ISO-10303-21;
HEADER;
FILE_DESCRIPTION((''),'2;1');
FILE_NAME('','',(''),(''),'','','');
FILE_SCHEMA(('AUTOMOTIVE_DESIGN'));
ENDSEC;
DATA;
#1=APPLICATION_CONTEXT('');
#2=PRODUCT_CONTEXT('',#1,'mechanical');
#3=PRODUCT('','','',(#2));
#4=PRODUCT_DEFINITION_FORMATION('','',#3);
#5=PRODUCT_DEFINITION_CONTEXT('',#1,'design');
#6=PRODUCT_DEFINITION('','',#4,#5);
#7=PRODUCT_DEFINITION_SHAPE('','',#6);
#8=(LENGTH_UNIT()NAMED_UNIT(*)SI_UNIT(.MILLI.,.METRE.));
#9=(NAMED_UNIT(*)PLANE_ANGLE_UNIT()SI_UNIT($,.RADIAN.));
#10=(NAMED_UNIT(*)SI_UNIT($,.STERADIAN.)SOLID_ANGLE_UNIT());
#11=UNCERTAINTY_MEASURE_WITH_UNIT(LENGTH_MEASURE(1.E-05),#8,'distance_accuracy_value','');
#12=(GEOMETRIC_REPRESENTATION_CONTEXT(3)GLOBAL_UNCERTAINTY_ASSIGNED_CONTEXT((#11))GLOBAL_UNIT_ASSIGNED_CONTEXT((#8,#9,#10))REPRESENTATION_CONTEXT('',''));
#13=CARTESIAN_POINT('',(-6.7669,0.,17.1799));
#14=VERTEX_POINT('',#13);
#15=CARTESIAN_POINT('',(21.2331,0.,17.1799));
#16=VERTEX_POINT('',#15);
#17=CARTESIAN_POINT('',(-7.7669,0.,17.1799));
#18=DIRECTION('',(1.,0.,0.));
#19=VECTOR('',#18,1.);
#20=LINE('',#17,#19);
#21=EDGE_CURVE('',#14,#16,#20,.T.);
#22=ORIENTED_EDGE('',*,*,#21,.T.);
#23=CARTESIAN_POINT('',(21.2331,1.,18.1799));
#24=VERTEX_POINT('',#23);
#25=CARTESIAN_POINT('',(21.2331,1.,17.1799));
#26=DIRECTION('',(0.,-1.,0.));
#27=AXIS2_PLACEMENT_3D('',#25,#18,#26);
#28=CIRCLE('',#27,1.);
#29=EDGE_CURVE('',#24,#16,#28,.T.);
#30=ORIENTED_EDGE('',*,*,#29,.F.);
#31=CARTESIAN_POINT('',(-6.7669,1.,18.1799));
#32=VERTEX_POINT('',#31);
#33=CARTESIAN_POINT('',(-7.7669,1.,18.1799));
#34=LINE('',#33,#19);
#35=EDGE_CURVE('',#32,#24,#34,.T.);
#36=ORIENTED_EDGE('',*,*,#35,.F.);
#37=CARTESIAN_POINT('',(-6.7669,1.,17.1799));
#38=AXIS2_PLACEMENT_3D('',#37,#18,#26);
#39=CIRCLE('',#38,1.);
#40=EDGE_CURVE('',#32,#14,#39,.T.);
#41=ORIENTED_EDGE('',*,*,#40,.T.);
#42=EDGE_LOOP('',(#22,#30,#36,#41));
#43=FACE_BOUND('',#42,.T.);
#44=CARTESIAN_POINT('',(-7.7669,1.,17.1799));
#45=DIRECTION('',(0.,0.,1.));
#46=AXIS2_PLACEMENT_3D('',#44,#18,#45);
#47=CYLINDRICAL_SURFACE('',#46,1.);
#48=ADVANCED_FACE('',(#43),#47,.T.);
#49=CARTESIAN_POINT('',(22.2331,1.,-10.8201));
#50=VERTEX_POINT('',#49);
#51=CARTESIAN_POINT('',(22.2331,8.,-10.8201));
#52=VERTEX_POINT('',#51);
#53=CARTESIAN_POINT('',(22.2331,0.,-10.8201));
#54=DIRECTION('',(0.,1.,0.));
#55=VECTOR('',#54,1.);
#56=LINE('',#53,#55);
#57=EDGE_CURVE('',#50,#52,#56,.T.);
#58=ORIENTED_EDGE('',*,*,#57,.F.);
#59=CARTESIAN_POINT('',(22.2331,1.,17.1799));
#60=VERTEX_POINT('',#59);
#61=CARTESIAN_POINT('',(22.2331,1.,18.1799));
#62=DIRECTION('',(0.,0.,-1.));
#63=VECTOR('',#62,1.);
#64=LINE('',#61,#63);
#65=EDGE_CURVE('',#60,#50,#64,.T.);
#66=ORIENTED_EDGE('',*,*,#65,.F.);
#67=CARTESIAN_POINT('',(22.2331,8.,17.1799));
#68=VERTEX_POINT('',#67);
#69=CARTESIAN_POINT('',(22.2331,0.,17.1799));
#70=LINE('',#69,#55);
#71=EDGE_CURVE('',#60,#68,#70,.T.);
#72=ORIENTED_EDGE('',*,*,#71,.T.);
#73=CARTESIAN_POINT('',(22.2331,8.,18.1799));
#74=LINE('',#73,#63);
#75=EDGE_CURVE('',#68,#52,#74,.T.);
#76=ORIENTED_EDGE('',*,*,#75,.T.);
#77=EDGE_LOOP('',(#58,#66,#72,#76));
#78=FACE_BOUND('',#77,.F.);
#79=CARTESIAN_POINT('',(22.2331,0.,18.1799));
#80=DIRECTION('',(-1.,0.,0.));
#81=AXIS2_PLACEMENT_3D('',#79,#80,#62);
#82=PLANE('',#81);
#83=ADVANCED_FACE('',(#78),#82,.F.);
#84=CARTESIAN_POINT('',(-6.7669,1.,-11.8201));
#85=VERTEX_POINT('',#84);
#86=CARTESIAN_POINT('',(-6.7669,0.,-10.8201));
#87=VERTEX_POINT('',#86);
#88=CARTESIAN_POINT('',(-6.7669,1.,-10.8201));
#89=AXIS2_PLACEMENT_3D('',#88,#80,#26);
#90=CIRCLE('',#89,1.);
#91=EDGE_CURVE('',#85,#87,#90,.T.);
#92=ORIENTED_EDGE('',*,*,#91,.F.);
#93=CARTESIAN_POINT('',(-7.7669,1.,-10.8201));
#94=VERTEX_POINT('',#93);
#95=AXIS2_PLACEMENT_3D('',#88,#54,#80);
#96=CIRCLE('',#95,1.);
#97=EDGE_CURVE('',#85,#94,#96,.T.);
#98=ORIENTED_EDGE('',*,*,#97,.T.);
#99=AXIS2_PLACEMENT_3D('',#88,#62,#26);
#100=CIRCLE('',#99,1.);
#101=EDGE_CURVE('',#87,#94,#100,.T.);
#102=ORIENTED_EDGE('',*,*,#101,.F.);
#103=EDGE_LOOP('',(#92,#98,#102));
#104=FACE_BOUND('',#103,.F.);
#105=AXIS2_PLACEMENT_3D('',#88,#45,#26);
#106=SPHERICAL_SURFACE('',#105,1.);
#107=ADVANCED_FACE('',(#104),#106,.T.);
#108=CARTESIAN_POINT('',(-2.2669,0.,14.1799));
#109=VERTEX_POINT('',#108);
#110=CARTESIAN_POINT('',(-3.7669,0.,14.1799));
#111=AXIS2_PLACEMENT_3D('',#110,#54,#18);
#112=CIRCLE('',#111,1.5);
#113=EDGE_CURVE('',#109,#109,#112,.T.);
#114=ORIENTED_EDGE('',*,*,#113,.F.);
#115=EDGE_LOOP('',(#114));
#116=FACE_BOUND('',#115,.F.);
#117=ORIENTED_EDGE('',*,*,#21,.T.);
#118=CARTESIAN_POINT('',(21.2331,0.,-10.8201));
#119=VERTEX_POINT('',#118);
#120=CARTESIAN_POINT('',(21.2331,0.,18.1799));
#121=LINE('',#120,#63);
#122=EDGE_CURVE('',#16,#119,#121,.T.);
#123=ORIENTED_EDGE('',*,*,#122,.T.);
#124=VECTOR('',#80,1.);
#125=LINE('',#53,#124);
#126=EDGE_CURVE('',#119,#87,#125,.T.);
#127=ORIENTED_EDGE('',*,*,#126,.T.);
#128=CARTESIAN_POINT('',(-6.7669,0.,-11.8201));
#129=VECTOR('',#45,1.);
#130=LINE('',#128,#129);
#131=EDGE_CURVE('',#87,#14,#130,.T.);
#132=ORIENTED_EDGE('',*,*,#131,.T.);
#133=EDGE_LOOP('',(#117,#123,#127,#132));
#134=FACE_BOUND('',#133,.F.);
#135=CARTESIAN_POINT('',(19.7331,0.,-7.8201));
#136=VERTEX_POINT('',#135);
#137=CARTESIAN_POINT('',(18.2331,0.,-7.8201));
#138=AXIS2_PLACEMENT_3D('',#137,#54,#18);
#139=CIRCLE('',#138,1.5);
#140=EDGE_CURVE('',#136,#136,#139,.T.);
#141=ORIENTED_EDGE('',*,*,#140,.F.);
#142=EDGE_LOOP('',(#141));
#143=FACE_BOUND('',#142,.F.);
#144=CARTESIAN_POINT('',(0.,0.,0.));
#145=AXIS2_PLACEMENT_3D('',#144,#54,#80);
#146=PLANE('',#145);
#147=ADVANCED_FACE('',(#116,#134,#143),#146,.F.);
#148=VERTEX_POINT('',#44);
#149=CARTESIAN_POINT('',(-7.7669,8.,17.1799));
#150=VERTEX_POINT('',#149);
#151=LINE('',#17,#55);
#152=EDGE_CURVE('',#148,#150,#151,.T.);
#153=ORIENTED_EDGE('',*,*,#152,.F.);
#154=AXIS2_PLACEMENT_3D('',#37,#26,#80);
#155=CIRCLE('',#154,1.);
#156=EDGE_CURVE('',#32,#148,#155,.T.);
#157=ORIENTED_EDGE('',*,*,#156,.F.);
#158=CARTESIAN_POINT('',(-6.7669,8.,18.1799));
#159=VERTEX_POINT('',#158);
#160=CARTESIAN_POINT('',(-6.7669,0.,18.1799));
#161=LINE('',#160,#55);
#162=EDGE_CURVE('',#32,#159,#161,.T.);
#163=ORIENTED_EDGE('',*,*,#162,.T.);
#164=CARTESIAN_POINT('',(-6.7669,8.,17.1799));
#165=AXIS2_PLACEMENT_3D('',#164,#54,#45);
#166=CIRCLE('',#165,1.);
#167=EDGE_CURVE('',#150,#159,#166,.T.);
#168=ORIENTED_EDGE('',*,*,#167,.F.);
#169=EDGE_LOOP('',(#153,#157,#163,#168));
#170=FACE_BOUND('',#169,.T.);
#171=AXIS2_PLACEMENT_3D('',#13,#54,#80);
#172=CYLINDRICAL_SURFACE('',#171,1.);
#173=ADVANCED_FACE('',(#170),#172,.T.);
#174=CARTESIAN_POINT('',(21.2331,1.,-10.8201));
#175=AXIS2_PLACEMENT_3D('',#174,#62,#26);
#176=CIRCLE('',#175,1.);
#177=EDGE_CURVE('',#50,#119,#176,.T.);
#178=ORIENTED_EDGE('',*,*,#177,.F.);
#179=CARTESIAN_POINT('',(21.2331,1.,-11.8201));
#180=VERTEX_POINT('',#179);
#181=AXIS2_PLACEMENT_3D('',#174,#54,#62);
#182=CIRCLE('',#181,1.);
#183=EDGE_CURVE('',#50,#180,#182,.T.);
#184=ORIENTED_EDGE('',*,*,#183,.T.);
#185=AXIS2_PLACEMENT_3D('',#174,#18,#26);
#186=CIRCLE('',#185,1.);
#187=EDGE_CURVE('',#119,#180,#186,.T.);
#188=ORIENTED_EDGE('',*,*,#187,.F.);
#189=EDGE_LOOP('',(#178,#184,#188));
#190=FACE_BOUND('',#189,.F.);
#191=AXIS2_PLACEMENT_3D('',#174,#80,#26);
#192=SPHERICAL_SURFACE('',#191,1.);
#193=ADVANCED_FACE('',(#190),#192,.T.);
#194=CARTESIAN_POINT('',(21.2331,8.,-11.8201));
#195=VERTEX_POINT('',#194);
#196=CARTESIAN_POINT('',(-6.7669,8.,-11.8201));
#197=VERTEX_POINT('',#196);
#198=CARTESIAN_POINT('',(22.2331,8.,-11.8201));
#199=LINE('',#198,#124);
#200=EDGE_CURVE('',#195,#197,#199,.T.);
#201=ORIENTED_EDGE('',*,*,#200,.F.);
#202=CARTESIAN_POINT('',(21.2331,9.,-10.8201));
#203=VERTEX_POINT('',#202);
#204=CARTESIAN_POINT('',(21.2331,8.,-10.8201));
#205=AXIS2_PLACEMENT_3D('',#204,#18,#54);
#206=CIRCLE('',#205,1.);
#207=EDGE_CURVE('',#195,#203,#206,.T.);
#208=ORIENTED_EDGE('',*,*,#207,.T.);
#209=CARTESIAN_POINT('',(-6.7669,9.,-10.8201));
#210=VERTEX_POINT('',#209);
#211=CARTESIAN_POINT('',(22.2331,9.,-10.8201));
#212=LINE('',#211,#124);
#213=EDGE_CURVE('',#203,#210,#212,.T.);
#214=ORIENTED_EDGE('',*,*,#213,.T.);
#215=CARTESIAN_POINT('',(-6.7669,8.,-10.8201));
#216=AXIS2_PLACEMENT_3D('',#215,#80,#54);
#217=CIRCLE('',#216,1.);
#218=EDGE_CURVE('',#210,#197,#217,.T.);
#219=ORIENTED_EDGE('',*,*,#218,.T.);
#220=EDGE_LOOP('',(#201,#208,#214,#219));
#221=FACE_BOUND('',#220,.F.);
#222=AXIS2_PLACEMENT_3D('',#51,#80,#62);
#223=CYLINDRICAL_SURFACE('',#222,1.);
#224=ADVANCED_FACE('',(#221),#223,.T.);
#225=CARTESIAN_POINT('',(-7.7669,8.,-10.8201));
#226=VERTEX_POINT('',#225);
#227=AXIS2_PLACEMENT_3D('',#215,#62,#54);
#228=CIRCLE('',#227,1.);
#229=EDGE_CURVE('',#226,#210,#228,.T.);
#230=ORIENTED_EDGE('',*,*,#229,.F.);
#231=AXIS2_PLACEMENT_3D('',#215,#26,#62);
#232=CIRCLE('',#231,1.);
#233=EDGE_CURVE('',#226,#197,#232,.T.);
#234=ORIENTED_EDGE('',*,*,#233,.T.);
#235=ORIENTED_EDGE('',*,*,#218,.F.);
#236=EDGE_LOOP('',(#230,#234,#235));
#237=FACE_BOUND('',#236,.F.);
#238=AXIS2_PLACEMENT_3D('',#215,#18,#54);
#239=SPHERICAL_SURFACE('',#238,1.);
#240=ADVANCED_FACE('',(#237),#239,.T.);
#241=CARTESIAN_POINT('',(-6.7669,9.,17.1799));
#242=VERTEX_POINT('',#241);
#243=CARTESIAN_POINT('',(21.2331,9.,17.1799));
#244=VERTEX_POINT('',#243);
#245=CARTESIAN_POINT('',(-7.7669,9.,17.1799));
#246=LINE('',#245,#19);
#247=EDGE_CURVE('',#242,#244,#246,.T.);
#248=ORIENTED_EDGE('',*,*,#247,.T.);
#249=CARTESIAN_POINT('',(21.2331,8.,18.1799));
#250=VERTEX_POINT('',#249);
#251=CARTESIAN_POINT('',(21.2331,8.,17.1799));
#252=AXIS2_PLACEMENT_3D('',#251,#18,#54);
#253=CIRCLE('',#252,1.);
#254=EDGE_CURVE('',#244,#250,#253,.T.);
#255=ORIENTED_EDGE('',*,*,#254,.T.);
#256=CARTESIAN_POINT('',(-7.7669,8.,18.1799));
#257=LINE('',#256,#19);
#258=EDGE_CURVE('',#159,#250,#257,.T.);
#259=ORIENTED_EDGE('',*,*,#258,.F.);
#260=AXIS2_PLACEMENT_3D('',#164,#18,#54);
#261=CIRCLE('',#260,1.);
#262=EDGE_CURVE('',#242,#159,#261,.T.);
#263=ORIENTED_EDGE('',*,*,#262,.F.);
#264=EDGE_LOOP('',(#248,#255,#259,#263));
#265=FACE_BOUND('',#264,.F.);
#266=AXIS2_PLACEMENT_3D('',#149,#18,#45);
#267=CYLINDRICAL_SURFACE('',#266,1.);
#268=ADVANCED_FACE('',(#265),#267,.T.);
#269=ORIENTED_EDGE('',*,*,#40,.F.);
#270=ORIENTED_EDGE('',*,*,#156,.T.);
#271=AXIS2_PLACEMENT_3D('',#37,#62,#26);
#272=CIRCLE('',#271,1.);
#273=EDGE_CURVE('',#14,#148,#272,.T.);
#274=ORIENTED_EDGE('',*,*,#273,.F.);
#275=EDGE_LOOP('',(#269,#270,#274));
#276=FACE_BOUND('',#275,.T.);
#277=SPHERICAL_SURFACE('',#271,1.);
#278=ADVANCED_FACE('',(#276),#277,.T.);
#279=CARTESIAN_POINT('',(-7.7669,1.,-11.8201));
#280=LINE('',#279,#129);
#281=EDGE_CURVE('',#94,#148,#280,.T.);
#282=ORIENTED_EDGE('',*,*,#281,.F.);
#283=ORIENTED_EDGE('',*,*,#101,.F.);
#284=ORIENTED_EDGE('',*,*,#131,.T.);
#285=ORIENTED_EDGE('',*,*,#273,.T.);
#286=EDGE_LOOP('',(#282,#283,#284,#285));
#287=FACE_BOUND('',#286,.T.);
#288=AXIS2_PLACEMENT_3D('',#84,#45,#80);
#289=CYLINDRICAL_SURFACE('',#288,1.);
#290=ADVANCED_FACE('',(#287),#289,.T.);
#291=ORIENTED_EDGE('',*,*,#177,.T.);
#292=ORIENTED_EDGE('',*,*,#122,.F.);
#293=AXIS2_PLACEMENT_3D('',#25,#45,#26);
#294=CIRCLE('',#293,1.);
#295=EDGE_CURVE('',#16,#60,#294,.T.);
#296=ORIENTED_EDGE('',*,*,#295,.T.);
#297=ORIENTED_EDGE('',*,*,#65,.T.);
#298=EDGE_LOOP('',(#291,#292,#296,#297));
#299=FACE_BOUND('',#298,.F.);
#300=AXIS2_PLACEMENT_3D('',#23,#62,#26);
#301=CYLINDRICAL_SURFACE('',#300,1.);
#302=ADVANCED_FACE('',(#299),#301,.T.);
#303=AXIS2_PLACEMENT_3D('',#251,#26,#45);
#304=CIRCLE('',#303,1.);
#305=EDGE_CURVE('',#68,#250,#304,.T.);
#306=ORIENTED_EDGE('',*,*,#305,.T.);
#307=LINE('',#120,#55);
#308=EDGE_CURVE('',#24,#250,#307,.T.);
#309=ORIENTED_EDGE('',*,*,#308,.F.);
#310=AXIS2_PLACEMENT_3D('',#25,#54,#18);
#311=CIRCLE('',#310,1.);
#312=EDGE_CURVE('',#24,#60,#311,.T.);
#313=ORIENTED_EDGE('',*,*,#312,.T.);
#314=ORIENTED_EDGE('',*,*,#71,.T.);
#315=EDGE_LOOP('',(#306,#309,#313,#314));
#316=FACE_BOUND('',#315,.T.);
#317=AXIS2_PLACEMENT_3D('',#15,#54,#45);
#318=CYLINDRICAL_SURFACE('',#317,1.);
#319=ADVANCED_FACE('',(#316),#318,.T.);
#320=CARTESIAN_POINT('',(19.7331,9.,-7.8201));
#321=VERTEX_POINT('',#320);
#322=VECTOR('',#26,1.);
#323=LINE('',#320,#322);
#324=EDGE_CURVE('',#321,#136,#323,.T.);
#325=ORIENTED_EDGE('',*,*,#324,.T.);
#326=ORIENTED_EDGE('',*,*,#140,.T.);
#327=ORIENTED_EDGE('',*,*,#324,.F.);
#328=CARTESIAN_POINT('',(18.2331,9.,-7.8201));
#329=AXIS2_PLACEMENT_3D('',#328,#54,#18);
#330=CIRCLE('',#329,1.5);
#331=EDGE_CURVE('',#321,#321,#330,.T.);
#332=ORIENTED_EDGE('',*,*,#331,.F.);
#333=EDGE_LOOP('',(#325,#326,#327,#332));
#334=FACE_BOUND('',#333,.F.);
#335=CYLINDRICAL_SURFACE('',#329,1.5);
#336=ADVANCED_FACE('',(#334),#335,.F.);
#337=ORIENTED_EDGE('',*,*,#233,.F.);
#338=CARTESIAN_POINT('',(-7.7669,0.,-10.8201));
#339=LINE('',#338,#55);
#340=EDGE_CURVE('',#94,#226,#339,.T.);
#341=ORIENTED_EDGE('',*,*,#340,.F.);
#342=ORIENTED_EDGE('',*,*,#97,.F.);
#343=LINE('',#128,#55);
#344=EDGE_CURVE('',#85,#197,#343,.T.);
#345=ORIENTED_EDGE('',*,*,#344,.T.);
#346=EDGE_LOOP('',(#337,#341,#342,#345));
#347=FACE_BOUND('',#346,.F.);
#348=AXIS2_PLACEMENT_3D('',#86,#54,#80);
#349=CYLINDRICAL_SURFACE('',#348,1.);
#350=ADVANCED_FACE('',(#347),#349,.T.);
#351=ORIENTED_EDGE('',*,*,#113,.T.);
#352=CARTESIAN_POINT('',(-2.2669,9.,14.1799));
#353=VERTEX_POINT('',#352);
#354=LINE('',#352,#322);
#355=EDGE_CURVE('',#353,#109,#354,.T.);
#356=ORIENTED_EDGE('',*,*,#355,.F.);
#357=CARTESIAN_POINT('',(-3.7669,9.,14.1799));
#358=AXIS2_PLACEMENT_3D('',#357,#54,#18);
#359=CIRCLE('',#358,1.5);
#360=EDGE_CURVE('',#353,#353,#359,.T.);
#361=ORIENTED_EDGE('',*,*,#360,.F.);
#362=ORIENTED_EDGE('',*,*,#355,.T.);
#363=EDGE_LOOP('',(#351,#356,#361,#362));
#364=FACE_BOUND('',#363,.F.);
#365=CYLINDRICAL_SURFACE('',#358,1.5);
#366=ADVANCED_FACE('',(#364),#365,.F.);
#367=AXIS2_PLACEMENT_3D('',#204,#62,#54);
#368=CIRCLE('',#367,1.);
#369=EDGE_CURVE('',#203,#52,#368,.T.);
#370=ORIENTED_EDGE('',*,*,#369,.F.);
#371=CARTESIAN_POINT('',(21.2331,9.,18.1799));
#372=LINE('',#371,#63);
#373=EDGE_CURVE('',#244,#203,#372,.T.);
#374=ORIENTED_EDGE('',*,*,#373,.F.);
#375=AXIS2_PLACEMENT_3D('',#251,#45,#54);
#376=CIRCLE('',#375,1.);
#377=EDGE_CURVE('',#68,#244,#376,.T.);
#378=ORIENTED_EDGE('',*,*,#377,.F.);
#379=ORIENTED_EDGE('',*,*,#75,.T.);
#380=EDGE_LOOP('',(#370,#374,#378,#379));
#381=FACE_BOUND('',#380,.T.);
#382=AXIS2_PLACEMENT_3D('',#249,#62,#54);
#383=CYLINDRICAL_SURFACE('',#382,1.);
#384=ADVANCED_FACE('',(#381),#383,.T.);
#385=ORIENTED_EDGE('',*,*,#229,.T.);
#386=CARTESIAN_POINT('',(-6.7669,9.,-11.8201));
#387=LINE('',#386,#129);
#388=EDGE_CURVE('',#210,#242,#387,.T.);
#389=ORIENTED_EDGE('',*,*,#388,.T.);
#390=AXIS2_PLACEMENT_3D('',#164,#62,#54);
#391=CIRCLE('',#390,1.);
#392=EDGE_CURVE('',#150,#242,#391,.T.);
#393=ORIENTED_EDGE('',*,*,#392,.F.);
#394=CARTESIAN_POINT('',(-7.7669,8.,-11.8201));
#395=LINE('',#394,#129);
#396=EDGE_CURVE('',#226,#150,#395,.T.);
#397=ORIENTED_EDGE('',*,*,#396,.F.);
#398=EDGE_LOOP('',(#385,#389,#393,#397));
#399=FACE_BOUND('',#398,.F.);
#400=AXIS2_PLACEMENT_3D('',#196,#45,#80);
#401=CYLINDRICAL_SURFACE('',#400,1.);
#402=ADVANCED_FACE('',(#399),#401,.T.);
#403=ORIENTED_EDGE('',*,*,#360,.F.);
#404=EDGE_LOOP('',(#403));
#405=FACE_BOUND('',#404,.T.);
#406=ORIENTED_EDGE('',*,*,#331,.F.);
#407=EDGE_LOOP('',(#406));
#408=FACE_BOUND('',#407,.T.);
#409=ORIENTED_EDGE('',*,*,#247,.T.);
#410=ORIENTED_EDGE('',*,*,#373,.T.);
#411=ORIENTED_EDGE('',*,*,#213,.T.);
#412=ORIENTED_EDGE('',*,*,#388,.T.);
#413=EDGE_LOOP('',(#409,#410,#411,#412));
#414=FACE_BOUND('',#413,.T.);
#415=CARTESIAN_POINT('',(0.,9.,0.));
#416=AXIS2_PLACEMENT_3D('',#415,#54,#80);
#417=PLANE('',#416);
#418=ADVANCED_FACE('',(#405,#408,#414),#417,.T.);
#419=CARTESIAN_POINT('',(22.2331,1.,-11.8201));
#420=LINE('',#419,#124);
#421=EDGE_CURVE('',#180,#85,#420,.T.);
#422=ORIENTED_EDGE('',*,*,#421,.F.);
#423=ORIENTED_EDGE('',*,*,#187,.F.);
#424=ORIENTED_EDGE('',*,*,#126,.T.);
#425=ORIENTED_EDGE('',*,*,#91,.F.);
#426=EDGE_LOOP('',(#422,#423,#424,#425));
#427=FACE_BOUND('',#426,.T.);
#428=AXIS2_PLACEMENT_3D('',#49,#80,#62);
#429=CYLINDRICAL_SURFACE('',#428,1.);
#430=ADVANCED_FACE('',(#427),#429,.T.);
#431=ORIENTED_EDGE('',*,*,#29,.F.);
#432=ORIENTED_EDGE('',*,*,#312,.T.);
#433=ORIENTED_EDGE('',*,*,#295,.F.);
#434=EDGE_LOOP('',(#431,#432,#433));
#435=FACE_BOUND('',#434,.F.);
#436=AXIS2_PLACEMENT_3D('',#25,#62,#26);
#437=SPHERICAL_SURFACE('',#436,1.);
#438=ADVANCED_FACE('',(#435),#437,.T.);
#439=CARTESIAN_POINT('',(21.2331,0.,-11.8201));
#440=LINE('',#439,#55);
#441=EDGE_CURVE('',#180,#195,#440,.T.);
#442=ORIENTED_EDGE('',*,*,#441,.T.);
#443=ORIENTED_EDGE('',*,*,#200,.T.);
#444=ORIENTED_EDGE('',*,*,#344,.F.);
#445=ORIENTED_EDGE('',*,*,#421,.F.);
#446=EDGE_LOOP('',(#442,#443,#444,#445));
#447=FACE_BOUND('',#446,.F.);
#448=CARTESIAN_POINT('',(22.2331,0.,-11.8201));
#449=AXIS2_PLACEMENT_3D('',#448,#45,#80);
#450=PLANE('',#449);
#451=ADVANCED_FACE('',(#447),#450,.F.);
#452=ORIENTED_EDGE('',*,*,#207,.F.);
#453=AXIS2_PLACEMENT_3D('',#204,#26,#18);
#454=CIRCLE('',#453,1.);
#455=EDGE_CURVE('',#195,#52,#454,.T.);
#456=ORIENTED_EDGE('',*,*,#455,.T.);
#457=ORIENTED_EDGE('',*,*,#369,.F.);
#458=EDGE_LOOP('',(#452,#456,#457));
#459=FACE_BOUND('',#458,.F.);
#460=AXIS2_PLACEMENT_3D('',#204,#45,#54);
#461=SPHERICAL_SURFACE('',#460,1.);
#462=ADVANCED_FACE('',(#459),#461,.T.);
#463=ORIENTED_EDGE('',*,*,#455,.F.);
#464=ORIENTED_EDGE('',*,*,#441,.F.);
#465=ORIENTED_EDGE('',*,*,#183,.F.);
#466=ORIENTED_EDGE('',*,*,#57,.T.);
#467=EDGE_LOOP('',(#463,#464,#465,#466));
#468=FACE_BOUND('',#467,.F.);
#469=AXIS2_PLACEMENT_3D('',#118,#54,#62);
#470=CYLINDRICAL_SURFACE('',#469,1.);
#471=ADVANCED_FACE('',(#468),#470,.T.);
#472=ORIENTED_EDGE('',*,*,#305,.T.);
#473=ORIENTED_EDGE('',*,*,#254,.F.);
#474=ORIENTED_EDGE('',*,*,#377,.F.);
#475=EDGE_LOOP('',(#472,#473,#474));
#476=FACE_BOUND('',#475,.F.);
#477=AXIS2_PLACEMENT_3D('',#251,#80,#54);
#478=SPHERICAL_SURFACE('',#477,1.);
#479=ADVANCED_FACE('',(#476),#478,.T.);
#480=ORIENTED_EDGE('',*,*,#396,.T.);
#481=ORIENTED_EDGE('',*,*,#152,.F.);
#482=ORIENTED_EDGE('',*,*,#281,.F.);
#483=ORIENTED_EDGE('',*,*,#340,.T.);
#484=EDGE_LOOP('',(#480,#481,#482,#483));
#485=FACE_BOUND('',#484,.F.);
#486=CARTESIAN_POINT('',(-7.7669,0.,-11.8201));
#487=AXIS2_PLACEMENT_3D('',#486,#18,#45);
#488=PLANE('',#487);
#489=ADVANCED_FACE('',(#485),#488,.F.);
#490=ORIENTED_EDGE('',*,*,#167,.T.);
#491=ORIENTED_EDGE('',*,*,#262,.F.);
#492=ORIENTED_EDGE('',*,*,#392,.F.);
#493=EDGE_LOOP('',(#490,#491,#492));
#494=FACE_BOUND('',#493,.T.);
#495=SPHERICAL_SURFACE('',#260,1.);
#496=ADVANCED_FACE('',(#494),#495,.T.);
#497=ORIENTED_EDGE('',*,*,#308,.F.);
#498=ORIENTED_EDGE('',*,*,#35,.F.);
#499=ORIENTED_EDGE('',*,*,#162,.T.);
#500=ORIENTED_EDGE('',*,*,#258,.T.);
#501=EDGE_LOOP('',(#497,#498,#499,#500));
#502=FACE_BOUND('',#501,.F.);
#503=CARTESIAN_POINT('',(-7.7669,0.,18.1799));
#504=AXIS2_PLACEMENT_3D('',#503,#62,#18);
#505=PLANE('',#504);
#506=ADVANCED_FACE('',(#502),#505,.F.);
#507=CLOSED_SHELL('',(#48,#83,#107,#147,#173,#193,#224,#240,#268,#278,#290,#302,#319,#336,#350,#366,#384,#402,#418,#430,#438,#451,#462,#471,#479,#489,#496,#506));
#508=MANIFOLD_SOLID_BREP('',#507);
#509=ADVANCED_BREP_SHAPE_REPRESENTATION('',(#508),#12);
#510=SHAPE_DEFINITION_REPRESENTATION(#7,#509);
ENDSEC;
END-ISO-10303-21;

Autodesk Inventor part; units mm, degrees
ref_plane "YZ Plane" through (0, 0, 0) normal (1, 0, 0) x (0, 1, 0)
ref_plane "XZ Plane" through (0, 0, 0) normal (0, 1, 0) x (-1, 0, 0)
ref_plane "XY Plane" through (0, 0, 0) normal (0, 0, 1) x (1, 0, 0)
sketch "Esquisse1" plane through (0, 0, 0) normal (0, 1, 0) x (-1, 0, 0)
  line L0 (7.7669, 18.1799) -> (-22.2331, 18.1799)
  line L1 (-22.2331, 18.1799) -> (-22.2331, -11.8201)
  line L2 (-22.2331, -11.8201) -> (7.7669, -11.8201)
  line L3 (7.7669, -11.8201) -> (7.7669, 18.1799)
  point P0 (0, 0)
  dimension "d0" = 30
  dimension "d1" = 30
extrude "Extrusion1" add sketch "Esquisse1" along normal blind 9
sketch "Esquisse2" plane through (0, 9, 0) normal (0, 1, 0) x (1, 0, 0)
  circle A0 centre (-3.7669, -14.1799) radius 1.5
  circle A1 centre (18.2331, 7.8201) radius 1.5
  line L0 (-7.7669, 11.8201) -> (-7.7669, -18.1799) projected
  line L1 (-7.7669, -18.1799) -> (22.2331, -18.1799) projected
  line L2 (22.2331, 11.8201) -> (-7.7669, 11.8201) projected
  line L3 (22.2331, -18.1799) -> (22.2331, 11.8201) projected
  point P0 (0, 0)
  dimension "d4" = 3
  dimension "d5" = 3
  dimension "d6" = 4
  dimension "d8" = 4
  dimension "d9" = 4
  dimension "d13" = 4
extrude "Extrusion2" cut sketch "Esquisse2" against normal blind 10 contours A0 | A1
fillet "Congé1" radius 1 12 edges at (7.2331, 9, 18.1799) (22.2331, 9, 3.1799) (7.2331, 9, -11.8201) (-7.7669, 9, 3.1799) (-7.7669, 0, 3.1799) (7.2331, 0, -11.8201) (22.2331, 0, 3.1799) (7.2331, 0, 18.1799) (22.2331, 4.5, 18.1799) (22.2331, 4.5, -11.8201) (-7.7669, 4.5, -11.8201) (-7.7669, 4.5, 18.1799)
properties part number "calle-patin"
